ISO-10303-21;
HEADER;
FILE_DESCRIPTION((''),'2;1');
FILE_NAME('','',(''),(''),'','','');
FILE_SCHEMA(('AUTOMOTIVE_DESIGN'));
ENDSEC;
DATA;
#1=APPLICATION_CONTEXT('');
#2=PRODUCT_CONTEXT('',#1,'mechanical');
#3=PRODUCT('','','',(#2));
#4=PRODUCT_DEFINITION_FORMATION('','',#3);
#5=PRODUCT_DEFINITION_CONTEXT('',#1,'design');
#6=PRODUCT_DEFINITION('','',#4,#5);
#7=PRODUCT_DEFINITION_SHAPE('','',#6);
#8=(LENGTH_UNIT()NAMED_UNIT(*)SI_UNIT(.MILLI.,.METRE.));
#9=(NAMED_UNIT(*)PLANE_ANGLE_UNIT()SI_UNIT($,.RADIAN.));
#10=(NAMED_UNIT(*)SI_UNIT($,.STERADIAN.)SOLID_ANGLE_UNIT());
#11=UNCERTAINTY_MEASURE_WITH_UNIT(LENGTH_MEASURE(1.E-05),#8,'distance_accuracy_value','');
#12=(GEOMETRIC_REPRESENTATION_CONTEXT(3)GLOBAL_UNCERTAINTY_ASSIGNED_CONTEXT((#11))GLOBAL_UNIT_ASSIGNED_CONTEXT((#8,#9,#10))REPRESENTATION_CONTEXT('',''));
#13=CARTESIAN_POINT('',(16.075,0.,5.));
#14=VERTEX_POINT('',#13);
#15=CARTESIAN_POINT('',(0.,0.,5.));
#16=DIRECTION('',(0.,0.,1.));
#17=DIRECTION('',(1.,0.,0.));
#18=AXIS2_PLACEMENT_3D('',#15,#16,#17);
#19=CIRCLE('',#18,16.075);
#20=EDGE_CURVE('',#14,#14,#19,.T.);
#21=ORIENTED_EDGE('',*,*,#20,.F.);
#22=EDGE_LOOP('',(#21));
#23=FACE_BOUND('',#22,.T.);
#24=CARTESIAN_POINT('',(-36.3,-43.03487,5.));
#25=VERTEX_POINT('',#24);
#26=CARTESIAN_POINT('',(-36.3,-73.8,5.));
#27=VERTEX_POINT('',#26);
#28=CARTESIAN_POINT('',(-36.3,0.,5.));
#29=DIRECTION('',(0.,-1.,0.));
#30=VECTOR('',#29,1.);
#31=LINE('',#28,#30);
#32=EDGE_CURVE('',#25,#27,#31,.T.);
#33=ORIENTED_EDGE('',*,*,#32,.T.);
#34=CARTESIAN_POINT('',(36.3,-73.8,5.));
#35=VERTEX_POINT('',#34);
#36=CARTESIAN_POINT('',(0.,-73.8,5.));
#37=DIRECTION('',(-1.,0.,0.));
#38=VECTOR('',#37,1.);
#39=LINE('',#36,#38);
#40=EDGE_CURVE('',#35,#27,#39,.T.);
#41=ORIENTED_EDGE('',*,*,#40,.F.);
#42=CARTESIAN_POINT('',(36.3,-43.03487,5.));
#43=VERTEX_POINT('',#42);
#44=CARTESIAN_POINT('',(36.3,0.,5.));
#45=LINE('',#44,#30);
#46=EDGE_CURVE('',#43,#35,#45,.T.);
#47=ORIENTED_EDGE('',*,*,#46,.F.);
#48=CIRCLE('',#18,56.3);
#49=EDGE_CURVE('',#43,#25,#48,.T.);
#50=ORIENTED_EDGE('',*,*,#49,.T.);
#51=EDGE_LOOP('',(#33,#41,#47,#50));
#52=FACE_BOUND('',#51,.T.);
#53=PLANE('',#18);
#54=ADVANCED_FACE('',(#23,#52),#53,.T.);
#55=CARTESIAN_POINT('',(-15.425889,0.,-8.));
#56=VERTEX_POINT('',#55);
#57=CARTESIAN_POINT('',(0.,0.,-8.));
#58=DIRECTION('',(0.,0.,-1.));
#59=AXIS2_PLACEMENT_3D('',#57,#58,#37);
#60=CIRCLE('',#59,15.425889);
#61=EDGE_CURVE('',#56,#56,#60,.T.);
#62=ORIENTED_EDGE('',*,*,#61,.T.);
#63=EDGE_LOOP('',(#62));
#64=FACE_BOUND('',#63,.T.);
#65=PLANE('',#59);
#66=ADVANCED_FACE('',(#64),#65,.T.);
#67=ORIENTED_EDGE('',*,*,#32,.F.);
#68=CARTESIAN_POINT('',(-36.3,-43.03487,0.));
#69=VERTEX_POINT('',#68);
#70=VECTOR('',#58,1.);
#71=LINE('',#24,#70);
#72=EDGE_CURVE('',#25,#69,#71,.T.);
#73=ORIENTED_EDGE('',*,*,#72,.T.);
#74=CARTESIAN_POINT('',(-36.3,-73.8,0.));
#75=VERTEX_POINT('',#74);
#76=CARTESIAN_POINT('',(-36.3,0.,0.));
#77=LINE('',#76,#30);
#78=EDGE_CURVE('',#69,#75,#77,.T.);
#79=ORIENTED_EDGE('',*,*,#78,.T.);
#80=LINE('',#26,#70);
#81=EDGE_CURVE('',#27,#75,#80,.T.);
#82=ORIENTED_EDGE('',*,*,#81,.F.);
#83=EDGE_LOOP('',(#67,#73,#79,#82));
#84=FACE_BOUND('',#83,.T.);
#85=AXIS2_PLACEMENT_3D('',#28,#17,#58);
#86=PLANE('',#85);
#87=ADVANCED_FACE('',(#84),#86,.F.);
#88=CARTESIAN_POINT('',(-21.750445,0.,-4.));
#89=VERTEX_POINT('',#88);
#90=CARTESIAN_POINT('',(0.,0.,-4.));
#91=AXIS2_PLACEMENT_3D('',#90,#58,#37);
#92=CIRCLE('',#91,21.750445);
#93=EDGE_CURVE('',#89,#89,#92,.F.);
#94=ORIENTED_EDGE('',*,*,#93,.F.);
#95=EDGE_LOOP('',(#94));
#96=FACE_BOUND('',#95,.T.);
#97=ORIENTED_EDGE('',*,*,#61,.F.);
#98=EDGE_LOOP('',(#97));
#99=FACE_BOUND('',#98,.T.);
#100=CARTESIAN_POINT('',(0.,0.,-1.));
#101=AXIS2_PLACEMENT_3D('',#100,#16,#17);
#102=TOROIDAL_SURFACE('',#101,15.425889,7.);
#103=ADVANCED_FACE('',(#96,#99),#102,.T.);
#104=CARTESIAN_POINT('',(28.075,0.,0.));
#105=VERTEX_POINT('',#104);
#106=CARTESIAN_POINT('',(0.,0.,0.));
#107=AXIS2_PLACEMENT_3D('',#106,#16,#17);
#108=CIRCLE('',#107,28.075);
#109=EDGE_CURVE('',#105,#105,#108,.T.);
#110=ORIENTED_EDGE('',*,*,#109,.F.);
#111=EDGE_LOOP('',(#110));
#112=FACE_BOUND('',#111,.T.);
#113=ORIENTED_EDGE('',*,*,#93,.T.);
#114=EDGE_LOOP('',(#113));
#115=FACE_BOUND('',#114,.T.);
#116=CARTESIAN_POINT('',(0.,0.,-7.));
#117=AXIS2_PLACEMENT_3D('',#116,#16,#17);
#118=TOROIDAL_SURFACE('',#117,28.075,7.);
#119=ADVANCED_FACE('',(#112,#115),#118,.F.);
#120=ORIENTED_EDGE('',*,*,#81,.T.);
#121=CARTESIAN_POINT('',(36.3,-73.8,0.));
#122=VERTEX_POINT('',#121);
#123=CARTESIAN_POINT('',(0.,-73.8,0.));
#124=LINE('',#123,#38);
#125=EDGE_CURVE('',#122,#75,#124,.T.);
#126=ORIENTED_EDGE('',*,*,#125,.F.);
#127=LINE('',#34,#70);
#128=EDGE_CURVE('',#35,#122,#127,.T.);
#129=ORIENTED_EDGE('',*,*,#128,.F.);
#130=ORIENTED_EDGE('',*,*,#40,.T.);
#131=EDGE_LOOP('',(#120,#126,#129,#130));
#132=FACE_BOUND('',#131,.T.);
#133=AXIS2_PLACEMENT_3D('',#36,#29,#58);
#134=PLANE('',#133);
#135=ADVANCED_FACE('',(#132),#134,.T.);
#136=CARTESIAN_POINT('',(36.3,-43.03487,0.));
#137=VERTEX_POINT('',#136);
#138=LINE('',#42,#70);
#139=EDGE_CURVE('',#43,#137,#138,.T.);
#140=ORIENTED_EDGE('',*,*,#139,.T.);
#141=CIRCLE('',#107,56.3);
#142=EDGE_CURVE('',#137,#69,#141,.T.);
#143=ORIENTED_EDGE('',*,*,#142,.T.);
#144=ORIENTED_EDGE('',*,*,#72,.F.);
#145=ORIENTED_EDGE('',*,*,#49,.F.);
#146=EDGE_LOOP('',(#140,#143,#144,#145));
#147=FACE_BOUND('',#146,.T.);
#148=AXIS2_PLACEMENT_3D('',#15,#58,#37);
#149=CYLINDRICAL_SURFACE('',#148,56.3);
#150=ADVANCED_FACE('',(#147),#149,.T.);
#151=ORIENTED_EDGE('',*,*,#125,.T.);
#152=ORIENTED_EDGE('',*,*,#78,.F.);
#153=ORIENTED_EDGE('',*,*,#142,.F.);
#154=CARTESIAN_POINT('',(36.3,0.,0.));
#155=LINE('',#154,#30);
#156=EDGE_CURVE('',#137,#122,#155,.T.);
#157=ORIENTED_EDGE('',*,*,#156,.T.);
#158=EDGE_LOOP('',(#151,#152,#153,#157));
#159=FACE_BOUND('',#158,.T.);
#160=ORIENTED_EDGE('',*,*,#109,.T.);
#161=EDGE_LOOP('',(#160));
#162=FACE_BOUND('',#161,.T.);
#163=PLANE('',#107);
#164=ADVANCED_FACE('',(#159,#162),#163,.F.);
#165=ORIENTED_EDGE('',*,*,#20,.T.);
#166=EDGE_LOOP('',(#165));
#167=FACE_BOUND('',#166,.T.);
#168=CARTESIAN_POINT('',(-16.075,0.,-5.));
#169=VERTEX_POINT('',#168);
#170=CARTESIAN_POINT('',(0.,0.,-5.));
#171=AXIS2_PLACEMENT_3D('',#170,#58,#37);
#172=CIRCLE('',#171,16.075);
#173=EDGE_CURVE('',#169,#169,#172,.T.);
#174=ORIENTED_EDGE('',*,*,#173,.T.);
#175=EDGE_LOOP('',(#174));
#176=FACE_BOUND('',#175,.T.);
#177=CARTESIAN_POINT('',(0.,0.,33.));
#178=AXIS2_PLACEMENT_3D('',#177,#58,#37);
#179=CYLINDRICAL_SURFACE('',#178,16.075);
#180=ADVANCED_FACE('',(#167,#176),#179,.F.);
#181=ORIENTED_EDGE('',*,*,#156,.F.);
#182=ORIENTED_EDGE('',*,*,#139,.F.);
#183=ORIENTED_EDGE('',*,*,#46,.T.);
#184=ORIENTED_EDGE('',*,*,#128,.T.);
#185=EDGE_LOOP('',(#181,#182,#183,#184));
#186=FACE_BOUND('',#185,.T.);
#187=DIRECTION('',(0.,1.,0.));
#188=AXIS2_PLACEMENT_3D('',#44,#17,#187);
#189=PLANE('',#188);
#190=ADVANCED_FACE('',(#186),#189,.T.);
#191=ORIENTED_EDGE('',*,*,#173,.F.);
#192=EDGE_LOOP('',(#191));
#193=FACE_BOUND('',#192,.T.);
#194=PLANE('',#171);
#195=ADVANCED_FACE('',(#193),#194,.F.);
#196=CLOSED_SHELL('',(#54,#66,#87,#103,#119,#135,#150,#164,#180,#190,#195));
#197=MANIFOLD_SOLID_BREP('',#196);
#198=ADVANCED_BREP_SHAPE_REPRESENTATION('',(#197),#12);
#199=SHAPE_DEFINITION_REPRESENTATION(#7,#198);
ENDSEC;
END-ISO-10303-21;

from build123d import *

# Parameters (mm, degrees)
BOSS_EXTRUDE1_DEPTH = 5
SKETCH2_R           = 16.075
CUT_EXTRUDE1_DEPTH  = 33
BOSS_EXTRUDE2_START = 5
SKETCH3_R           = 21.075
SKETCH3_R_2         = 16.075
BOSS_EXTRUDE2_DEPTH = 5
BOSS_EXTRUDE3_START = 3
SKETCH4_R           = 21.075
BOSS_EXTRUDE3_DEPTH = 3
FILLET1_R           = 7
FILLET2_R           = 7


with BuildPart() as part:
    # Sketch1 → Boss-Extrude1 (new body)
    with BuildSketch(Plane.XY):
        with BuildLine():
            ThreePointArc((36.3, -43.034869583), (0, 56.3), (-36.3, -43.034869583))
            Line((-36.3, -43.034869583), (-36.3, -73.8))
            Line((-36.3, -73.8), (36.3, -73.8))
            Line((36.3, -73.8), (36.3, -43.034869583))
        make_face()
    extrude(amount=BOSS_EXTRUDE1_DEPTH)

    # Sketch2 → Cut-Extrude1 (cut)
    with BuildSketch(Plane(origin=(0, 0, 0), x_dir=(-1, 0, 0), z_dir=(0, 0, -1))):
        Circle(SKETCH2_R)
    extrude(amount=-CUT_EXTRUDE1_DEPTH, mode=Mode.SUBTRACT)

    # Sketch3 → Boss-Extrude2 (add)
    with BuildSketch(Plane(origin=(0, 0, 0), x_dir=(-1, 0, 0), z_dir=(0, 0, -1)).offset(BOSS_EXTRUDE2_START)):
        with Locations(Location((0, 0, 0), (0, 0, 180))):
            Circle(SKETCH3_R)
        Circle(SKETCH3_R_2, mode=Mode.SUBTRACT)
    extrude(amount=-BOSS_EXTRUDE2_DEPTH)

    # Sketch4 → Boss-Extrude3 (add)
    with BuildSketch(Plane(origin=(0, 0, -5), x_dir=(-1, 0, 0), z_dir=(0, 0, -1)).offset(BOSS_EXTRUDE3_START)):
        with Locations(Location((0, 0, 0), (0, 0, 180))):
            Circle(SKETCH4_R)
    extrude(amount=-BOSS_EXTRUDE3_DEPTH)

    # Fillet1
    fillet1_edges = [part.edges().sort_by_distance(p)[0] for p in [
        (-21.075, 0, 0),
    ]]
    fillet(fillet1_edges, radius=FILLET1_R)

    # Fillet2
    fillet2_edges = [part.edges().sort_by_distance(p)[0] for p in [
        (-21.075, 0, -8),
    ]]
    fillet(fillet2_edges, radius=FILLET2_R)


solid = part.part
